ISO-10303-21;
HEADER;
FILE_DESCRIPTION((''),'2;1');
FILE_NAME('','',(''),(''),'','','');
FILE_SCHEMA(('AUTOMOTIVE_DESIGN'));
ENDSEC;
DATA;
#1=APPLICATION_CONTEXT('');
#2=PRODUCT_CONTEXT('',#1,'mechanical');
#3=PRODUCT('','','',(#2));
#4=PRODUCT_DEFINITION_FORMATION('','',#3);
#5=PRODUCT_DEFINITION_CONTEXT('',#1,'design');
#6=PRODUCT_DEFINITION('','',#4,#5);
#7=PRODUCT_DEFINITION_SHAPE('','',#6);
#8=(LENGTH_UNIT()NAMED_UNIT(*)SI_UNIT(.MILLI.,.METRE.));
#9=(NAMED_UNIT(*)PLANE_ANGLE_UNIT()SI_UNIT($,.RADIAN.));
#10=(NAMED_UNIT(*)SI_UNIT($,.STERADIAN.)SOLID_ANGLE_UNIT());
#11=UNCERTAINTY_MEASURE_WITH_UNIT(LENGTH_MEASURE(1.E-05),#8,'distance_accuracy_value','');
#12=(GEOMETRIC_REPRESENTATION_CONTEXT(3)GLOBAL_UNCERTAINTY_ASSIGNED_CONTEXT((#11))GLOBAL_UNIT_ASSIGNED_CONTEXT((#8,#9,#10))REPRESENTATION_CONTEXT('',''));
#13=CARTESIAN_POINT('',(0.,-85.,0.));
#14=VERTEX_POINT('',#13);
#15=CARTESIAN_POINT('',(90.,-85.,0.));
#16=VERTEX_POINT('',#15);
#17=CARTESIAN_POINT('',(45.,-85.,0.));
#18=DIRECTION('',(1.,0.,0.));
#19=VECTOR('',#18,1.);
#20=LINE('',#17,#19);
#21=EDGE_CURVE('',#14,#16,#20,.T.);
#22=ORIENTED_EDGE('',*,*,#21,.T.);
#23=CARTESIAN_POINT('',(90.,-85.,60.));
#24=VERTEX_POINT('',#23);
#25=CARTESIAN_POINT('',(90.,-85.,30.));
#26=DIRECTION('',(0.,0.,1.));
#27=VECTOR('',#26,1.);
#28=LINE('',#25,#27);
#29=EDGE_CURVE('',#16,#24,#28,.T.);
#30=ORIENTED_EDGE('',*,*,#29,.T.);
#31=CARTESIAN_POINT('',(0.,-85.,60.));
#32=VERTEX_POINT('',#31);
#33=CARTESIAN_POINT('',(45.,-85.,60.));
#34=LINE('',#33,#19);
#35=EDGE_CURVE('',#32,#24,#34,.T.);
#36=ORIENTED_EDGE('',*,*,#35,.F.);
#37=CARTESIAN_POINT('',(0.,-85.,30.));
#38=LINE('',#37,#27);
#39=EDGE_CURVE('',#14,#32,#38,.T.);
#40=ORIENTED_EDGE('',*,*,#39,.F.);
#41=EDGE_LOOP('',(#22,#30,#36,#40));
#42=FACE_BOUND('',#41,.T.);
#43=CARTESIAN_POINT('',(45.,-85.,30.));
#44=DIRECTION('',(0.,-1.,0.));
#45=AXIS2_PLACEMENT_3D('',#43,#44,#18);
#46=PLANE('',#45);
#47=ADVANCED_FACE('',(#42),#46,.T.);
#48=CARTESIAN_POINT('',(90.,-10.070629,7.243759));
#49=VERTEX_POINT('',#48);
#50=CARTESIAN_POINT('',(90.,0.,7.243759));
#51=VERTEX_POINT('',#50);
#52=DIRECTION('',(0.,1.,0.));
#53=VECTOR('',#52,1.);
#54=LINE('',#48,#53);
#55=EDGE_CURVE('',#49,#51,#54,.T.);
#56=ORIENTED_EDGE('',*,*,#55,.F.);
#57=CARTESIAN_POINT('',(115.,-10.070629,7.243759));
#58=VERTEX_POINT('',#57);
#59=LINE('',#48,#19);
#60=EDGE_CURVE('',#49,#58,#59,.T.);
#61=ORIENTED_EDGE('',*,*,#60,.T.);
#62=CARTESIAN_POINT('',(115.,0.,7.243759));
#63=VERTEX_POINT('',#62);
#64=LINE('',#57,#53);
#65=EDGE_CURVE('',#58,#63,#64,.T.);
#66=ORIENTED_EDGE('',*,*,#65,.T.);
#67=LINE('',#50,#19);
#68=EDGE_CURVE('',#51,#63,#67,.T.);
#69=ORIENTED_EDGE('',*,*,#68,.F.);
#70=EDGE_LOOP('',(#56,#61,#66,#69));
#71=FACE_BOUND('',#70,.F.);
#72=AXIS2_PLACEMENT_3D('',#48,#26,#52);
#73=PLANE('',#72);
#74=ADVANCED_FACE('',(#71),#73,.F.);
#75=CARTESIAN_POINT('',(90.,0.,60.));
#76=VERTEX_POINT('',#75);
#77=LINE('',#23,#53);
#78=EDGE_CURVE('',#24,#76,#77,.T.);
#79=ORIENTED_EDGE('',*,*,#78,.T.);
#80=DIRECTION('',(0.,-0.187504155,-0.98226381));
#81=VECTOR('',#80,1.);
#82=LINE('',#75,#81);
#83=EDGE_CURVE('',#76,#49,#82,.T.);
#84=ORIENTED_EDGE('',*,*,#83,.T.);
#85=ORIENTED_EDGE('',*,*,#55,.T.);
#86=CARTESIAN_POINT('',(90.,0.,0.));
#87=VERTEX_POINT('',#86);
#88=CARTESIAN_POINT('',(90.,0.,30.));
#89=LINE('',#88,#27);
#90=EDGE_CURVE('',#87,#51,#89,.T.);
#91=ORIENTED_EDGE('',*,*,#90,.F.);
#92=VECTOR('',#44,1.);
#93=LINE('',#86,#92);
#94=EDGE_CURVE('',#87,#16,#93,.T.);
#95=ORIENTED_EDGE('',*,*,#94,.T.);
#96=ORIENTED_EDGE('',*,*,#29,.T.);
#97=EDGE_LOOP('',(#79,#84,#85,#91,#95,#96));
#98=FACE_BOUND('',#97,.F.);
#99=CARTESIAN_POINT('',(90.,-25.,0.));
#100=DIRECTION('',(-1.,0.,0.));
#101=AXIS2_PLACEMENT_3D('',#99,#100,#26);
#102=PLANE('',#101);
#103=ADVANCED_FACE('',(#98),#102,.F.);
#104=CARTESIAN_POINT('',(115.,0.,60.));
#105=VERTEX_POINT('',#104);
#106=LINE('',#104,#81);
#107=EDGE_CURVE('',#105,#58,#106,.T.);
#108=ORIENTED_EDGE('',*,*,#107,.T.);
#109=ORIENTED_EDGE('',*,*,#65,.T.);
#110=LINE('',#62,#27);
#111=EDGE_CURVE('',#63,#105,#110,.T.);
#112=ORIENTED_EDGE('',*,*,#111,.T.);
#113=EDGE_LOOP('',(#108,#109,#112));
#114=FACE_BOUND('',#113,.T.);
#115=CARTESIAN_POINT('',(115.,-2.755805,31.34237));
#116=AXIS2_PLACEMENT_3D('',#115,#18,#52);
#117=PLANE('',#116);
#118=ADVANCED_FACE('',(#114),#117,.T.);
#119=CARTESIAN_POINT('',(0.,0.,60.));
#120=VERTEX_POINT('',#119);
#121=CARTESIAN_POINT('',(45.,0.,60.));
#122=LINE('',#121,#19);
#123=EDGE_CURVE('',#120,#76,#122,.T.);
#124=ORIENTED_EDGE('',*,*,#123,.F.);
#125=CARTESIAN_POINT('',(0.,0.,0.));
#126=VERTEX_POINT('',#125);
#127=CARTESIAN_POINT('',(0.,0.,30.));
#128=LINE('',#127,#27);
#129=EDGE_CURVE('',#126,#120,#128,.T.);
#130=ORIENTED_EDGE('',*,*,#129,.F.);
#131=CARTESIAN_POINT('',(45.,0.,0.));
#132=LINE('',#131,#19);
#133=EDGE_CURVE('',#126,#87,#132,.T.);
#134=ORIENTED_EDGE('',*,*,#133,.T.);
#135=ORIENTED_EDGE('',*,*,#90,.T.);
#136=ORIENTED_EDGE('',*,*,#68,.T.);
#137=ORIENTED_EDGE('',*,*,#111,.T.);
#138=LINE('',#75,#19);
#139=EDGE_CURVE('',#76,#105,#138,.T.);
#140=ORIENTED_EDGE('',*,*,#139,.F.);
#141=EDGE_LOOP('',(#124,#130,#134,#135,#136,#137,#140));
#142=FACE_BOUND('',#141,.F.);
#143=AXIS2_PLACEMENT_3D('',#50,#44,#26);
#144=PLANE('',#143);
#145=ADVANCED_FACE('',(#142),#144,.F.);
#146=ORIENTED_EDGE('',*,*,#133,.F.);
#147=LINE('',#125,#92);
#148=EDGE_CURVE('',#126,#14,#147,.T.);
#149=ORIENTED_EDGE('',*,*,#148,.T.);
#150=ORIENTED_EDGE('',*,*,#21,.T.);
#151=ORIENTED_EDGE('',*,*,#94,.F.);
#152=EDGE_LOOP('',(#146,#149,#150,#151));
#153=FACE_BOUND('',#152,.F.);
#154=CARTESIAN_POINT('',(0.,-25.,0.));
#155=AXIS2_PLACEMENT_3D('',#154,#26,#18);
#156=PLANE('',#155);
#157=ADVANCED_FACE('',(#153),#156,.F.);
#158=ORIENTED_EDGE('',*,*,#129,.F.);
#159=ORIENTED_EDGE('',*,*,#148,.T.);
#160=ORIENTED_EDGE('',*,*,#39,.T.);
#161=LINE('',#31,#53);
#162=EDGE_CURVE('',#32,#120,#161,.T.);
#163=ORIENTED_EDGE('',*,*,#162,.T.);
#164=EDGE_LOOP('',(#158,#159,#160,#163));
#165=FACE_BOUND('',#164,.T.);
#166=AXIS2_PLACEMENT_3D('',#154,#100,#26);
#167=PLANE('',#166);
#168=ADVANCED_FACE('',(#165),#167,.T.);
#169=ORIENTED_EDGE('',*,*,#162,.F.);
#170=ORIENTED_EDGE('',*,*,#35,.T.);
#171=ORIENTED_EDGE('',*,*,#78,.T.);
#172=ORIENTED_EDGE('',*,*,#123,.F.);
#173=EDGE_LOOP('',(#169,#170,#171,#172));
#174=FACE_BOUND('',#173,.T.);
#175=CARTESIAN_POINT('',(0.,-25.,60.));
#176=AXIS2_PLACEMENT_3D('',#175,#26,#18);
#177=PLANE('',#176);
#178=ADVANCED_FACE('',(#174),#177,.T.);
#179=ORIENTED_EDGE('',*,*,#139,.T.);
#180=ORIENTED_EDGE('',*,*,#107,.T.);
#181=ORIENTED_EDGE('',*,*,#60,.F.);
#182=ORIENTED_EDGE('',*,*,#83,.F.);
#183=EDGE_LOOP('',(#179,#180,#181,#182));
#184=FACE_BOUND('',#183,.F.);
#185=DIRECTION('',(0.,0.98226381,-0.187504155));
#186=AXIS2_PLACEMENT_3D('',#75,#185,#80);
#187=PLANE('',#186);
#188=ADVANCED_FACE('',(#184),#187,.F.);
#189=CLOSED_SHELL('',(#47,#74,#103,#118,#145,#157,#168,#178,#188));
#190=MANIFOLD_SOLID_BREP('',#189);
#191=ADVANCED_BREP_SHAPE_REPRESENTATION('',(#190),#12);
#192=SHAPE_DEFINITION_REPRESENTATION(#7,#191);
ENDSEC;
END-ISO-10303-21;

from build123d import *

# Parameters (mm, degrees)
F0_W      = 90
F0_H      = 60
F1_DEPTH  = 25
F1_FACE_W = 90
F1_FACE_H = 60
F2_DEPTH  = 60
F4_DEPTH  = 25


with BuildPart() as f1:
    # F0 (on Front) → F1 (new body)
    with BuildSketch(Plane.XZ):
        with Locations((45, 30)):
            Rectangle(F0_W, F0_H)
    extrude(amount=F1_DEPTH)

    # F1_face (on face) → F2 (join)
    with BuildSketch(Plane(origin=(45, -25, 30), x_dir=(1, 0, 0), z_dir=(0, -1, 0))):
        Rectangle(F1_FACE_W, F1_FACE_H)
    extrude(amount=F2_DEPTH)

    # F3 (on face) → F4 (join)
    with BuildSketch(Plane.YZ.offset(90)):
        Polygon((0, 7.243759), (0, 60), (-10.070629, 7.243759), align=None)
    extrude(amount=F4_DEPTH)


solid = f1.part
